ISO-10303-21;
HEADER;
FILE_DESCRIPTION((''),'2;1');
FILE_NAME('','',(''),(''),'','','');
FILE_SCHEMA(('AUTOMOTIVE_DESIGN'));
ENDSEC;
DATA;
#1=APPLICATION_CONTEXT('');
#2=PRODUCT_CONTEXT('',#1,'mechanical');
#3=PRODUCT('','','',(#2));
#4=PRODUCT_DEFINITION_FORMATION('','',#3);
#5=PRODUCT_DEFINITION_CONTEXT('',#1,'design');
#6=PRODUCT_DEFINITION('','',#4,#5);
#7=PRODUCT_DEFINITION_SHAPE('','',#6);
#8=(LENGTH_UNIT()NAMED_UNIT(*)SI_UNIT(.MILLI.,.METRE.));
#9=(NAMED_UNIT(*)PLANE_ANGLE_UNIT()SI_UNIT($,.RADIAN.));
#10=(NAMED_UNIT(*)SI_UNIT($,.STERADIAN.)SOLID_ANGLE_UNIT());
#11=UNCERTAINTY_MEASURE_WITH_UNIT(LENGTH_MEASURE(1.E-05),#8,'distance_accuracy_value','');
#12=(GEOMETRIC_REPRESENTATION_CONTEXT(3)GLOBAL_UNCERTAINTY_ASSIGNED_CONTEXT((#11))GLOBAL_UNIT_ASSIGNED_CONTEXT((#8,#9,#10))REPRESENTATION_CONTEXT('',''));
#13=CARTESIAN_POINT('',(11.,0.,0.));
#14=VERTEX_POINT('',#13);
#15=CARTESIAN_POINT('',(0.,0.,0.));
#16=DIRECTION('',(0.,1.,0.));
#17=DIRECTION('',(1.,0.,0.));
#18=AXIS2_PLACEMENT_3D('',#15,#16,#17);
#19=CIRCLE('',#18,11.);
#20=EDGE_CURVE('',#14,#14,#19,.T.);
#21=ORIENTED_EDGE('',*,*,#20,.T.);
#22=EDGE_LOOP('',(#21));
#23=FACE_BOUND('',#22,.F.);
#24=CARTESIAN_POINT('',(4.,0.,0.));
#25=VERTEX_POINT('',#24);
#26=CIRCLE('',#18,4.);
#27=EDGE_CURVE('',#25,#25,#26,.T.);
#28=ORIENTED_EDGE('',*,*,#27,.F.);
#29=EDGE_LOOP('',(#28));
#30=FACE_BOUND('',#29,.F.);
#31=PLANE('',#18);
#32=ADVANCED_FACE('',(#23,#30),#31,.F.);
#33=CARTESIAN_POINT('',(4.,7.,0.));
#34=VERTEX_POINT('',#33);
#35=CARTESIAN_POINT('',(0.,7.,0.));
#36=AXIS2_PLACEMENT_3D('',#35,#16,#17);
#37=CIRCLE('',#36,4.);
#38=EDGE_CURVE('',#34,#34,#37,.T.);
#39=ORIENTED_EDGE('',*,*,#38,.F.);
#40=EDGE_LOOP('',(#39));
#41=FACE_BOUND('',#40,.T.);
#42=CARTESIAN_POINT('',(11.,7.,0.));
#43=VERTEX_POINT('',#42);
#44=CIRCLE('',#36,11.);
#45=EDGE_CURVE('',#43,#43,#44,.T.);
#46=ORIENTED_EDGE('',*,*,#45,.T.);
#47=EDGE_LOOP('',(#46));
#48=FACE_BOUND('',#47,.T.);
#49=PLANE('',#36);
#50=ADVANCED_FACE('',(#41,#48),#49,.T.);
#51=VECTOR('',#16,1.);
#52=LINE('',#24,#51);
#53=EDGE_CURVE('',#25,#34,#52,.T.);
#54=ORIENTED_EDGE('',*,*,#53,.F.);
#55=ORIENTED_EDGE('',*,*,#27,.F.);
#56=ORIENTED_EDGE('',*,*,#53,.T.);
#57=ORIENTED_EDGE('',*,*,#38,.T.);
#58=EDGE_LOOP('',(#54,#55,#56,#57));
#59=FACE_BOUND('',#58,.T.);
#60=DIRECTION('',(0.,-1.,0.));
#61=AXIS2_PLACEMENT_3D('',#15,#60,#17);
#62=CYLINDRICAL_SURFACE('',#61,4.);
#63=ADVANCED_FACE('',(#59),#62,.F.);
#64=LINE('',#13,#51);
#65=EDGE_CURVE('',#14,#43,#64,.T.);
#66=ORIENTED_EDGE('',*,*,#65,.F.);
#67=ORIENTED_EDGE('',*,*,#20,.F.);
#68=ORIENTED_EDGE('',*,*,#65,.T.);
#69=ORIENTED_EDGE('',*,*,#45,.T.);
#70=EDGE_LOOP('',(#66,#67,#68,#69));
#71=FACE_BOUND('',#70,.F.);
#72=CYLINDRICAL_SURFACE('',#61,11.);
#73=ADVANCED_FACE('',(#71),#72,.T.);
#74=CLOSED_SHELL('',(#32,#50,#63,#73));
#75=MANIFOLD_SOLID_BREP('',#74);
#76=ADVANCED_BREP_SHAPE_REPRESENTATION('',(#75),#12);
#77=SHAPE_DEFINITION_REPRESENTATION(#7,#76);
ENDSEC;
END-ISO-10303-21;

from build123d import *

# Parameters (mm, degrees)
ESBO_O1_R                = 11
ESBO_O1_R_2              = 4
RESSALTO_EXTRUS_O1_DEPTH = 7


with BuildPart() as part:
    # Esboço1 → Ressalto-extrusão1 (new body)
    with BuildSketch(Plane(origin=(0, 0, 0), x_dir=(1, 0, 0), z_dir=(0, 1, 0))):
        Circle(ESBO_O1_R)
        Circle(ESBO_O1_R_2, mode=Mode.SUBTRACT)
    extrude(amount=RESSALTO_EXTRUS_O1_DEPTH)


solid = part.part
